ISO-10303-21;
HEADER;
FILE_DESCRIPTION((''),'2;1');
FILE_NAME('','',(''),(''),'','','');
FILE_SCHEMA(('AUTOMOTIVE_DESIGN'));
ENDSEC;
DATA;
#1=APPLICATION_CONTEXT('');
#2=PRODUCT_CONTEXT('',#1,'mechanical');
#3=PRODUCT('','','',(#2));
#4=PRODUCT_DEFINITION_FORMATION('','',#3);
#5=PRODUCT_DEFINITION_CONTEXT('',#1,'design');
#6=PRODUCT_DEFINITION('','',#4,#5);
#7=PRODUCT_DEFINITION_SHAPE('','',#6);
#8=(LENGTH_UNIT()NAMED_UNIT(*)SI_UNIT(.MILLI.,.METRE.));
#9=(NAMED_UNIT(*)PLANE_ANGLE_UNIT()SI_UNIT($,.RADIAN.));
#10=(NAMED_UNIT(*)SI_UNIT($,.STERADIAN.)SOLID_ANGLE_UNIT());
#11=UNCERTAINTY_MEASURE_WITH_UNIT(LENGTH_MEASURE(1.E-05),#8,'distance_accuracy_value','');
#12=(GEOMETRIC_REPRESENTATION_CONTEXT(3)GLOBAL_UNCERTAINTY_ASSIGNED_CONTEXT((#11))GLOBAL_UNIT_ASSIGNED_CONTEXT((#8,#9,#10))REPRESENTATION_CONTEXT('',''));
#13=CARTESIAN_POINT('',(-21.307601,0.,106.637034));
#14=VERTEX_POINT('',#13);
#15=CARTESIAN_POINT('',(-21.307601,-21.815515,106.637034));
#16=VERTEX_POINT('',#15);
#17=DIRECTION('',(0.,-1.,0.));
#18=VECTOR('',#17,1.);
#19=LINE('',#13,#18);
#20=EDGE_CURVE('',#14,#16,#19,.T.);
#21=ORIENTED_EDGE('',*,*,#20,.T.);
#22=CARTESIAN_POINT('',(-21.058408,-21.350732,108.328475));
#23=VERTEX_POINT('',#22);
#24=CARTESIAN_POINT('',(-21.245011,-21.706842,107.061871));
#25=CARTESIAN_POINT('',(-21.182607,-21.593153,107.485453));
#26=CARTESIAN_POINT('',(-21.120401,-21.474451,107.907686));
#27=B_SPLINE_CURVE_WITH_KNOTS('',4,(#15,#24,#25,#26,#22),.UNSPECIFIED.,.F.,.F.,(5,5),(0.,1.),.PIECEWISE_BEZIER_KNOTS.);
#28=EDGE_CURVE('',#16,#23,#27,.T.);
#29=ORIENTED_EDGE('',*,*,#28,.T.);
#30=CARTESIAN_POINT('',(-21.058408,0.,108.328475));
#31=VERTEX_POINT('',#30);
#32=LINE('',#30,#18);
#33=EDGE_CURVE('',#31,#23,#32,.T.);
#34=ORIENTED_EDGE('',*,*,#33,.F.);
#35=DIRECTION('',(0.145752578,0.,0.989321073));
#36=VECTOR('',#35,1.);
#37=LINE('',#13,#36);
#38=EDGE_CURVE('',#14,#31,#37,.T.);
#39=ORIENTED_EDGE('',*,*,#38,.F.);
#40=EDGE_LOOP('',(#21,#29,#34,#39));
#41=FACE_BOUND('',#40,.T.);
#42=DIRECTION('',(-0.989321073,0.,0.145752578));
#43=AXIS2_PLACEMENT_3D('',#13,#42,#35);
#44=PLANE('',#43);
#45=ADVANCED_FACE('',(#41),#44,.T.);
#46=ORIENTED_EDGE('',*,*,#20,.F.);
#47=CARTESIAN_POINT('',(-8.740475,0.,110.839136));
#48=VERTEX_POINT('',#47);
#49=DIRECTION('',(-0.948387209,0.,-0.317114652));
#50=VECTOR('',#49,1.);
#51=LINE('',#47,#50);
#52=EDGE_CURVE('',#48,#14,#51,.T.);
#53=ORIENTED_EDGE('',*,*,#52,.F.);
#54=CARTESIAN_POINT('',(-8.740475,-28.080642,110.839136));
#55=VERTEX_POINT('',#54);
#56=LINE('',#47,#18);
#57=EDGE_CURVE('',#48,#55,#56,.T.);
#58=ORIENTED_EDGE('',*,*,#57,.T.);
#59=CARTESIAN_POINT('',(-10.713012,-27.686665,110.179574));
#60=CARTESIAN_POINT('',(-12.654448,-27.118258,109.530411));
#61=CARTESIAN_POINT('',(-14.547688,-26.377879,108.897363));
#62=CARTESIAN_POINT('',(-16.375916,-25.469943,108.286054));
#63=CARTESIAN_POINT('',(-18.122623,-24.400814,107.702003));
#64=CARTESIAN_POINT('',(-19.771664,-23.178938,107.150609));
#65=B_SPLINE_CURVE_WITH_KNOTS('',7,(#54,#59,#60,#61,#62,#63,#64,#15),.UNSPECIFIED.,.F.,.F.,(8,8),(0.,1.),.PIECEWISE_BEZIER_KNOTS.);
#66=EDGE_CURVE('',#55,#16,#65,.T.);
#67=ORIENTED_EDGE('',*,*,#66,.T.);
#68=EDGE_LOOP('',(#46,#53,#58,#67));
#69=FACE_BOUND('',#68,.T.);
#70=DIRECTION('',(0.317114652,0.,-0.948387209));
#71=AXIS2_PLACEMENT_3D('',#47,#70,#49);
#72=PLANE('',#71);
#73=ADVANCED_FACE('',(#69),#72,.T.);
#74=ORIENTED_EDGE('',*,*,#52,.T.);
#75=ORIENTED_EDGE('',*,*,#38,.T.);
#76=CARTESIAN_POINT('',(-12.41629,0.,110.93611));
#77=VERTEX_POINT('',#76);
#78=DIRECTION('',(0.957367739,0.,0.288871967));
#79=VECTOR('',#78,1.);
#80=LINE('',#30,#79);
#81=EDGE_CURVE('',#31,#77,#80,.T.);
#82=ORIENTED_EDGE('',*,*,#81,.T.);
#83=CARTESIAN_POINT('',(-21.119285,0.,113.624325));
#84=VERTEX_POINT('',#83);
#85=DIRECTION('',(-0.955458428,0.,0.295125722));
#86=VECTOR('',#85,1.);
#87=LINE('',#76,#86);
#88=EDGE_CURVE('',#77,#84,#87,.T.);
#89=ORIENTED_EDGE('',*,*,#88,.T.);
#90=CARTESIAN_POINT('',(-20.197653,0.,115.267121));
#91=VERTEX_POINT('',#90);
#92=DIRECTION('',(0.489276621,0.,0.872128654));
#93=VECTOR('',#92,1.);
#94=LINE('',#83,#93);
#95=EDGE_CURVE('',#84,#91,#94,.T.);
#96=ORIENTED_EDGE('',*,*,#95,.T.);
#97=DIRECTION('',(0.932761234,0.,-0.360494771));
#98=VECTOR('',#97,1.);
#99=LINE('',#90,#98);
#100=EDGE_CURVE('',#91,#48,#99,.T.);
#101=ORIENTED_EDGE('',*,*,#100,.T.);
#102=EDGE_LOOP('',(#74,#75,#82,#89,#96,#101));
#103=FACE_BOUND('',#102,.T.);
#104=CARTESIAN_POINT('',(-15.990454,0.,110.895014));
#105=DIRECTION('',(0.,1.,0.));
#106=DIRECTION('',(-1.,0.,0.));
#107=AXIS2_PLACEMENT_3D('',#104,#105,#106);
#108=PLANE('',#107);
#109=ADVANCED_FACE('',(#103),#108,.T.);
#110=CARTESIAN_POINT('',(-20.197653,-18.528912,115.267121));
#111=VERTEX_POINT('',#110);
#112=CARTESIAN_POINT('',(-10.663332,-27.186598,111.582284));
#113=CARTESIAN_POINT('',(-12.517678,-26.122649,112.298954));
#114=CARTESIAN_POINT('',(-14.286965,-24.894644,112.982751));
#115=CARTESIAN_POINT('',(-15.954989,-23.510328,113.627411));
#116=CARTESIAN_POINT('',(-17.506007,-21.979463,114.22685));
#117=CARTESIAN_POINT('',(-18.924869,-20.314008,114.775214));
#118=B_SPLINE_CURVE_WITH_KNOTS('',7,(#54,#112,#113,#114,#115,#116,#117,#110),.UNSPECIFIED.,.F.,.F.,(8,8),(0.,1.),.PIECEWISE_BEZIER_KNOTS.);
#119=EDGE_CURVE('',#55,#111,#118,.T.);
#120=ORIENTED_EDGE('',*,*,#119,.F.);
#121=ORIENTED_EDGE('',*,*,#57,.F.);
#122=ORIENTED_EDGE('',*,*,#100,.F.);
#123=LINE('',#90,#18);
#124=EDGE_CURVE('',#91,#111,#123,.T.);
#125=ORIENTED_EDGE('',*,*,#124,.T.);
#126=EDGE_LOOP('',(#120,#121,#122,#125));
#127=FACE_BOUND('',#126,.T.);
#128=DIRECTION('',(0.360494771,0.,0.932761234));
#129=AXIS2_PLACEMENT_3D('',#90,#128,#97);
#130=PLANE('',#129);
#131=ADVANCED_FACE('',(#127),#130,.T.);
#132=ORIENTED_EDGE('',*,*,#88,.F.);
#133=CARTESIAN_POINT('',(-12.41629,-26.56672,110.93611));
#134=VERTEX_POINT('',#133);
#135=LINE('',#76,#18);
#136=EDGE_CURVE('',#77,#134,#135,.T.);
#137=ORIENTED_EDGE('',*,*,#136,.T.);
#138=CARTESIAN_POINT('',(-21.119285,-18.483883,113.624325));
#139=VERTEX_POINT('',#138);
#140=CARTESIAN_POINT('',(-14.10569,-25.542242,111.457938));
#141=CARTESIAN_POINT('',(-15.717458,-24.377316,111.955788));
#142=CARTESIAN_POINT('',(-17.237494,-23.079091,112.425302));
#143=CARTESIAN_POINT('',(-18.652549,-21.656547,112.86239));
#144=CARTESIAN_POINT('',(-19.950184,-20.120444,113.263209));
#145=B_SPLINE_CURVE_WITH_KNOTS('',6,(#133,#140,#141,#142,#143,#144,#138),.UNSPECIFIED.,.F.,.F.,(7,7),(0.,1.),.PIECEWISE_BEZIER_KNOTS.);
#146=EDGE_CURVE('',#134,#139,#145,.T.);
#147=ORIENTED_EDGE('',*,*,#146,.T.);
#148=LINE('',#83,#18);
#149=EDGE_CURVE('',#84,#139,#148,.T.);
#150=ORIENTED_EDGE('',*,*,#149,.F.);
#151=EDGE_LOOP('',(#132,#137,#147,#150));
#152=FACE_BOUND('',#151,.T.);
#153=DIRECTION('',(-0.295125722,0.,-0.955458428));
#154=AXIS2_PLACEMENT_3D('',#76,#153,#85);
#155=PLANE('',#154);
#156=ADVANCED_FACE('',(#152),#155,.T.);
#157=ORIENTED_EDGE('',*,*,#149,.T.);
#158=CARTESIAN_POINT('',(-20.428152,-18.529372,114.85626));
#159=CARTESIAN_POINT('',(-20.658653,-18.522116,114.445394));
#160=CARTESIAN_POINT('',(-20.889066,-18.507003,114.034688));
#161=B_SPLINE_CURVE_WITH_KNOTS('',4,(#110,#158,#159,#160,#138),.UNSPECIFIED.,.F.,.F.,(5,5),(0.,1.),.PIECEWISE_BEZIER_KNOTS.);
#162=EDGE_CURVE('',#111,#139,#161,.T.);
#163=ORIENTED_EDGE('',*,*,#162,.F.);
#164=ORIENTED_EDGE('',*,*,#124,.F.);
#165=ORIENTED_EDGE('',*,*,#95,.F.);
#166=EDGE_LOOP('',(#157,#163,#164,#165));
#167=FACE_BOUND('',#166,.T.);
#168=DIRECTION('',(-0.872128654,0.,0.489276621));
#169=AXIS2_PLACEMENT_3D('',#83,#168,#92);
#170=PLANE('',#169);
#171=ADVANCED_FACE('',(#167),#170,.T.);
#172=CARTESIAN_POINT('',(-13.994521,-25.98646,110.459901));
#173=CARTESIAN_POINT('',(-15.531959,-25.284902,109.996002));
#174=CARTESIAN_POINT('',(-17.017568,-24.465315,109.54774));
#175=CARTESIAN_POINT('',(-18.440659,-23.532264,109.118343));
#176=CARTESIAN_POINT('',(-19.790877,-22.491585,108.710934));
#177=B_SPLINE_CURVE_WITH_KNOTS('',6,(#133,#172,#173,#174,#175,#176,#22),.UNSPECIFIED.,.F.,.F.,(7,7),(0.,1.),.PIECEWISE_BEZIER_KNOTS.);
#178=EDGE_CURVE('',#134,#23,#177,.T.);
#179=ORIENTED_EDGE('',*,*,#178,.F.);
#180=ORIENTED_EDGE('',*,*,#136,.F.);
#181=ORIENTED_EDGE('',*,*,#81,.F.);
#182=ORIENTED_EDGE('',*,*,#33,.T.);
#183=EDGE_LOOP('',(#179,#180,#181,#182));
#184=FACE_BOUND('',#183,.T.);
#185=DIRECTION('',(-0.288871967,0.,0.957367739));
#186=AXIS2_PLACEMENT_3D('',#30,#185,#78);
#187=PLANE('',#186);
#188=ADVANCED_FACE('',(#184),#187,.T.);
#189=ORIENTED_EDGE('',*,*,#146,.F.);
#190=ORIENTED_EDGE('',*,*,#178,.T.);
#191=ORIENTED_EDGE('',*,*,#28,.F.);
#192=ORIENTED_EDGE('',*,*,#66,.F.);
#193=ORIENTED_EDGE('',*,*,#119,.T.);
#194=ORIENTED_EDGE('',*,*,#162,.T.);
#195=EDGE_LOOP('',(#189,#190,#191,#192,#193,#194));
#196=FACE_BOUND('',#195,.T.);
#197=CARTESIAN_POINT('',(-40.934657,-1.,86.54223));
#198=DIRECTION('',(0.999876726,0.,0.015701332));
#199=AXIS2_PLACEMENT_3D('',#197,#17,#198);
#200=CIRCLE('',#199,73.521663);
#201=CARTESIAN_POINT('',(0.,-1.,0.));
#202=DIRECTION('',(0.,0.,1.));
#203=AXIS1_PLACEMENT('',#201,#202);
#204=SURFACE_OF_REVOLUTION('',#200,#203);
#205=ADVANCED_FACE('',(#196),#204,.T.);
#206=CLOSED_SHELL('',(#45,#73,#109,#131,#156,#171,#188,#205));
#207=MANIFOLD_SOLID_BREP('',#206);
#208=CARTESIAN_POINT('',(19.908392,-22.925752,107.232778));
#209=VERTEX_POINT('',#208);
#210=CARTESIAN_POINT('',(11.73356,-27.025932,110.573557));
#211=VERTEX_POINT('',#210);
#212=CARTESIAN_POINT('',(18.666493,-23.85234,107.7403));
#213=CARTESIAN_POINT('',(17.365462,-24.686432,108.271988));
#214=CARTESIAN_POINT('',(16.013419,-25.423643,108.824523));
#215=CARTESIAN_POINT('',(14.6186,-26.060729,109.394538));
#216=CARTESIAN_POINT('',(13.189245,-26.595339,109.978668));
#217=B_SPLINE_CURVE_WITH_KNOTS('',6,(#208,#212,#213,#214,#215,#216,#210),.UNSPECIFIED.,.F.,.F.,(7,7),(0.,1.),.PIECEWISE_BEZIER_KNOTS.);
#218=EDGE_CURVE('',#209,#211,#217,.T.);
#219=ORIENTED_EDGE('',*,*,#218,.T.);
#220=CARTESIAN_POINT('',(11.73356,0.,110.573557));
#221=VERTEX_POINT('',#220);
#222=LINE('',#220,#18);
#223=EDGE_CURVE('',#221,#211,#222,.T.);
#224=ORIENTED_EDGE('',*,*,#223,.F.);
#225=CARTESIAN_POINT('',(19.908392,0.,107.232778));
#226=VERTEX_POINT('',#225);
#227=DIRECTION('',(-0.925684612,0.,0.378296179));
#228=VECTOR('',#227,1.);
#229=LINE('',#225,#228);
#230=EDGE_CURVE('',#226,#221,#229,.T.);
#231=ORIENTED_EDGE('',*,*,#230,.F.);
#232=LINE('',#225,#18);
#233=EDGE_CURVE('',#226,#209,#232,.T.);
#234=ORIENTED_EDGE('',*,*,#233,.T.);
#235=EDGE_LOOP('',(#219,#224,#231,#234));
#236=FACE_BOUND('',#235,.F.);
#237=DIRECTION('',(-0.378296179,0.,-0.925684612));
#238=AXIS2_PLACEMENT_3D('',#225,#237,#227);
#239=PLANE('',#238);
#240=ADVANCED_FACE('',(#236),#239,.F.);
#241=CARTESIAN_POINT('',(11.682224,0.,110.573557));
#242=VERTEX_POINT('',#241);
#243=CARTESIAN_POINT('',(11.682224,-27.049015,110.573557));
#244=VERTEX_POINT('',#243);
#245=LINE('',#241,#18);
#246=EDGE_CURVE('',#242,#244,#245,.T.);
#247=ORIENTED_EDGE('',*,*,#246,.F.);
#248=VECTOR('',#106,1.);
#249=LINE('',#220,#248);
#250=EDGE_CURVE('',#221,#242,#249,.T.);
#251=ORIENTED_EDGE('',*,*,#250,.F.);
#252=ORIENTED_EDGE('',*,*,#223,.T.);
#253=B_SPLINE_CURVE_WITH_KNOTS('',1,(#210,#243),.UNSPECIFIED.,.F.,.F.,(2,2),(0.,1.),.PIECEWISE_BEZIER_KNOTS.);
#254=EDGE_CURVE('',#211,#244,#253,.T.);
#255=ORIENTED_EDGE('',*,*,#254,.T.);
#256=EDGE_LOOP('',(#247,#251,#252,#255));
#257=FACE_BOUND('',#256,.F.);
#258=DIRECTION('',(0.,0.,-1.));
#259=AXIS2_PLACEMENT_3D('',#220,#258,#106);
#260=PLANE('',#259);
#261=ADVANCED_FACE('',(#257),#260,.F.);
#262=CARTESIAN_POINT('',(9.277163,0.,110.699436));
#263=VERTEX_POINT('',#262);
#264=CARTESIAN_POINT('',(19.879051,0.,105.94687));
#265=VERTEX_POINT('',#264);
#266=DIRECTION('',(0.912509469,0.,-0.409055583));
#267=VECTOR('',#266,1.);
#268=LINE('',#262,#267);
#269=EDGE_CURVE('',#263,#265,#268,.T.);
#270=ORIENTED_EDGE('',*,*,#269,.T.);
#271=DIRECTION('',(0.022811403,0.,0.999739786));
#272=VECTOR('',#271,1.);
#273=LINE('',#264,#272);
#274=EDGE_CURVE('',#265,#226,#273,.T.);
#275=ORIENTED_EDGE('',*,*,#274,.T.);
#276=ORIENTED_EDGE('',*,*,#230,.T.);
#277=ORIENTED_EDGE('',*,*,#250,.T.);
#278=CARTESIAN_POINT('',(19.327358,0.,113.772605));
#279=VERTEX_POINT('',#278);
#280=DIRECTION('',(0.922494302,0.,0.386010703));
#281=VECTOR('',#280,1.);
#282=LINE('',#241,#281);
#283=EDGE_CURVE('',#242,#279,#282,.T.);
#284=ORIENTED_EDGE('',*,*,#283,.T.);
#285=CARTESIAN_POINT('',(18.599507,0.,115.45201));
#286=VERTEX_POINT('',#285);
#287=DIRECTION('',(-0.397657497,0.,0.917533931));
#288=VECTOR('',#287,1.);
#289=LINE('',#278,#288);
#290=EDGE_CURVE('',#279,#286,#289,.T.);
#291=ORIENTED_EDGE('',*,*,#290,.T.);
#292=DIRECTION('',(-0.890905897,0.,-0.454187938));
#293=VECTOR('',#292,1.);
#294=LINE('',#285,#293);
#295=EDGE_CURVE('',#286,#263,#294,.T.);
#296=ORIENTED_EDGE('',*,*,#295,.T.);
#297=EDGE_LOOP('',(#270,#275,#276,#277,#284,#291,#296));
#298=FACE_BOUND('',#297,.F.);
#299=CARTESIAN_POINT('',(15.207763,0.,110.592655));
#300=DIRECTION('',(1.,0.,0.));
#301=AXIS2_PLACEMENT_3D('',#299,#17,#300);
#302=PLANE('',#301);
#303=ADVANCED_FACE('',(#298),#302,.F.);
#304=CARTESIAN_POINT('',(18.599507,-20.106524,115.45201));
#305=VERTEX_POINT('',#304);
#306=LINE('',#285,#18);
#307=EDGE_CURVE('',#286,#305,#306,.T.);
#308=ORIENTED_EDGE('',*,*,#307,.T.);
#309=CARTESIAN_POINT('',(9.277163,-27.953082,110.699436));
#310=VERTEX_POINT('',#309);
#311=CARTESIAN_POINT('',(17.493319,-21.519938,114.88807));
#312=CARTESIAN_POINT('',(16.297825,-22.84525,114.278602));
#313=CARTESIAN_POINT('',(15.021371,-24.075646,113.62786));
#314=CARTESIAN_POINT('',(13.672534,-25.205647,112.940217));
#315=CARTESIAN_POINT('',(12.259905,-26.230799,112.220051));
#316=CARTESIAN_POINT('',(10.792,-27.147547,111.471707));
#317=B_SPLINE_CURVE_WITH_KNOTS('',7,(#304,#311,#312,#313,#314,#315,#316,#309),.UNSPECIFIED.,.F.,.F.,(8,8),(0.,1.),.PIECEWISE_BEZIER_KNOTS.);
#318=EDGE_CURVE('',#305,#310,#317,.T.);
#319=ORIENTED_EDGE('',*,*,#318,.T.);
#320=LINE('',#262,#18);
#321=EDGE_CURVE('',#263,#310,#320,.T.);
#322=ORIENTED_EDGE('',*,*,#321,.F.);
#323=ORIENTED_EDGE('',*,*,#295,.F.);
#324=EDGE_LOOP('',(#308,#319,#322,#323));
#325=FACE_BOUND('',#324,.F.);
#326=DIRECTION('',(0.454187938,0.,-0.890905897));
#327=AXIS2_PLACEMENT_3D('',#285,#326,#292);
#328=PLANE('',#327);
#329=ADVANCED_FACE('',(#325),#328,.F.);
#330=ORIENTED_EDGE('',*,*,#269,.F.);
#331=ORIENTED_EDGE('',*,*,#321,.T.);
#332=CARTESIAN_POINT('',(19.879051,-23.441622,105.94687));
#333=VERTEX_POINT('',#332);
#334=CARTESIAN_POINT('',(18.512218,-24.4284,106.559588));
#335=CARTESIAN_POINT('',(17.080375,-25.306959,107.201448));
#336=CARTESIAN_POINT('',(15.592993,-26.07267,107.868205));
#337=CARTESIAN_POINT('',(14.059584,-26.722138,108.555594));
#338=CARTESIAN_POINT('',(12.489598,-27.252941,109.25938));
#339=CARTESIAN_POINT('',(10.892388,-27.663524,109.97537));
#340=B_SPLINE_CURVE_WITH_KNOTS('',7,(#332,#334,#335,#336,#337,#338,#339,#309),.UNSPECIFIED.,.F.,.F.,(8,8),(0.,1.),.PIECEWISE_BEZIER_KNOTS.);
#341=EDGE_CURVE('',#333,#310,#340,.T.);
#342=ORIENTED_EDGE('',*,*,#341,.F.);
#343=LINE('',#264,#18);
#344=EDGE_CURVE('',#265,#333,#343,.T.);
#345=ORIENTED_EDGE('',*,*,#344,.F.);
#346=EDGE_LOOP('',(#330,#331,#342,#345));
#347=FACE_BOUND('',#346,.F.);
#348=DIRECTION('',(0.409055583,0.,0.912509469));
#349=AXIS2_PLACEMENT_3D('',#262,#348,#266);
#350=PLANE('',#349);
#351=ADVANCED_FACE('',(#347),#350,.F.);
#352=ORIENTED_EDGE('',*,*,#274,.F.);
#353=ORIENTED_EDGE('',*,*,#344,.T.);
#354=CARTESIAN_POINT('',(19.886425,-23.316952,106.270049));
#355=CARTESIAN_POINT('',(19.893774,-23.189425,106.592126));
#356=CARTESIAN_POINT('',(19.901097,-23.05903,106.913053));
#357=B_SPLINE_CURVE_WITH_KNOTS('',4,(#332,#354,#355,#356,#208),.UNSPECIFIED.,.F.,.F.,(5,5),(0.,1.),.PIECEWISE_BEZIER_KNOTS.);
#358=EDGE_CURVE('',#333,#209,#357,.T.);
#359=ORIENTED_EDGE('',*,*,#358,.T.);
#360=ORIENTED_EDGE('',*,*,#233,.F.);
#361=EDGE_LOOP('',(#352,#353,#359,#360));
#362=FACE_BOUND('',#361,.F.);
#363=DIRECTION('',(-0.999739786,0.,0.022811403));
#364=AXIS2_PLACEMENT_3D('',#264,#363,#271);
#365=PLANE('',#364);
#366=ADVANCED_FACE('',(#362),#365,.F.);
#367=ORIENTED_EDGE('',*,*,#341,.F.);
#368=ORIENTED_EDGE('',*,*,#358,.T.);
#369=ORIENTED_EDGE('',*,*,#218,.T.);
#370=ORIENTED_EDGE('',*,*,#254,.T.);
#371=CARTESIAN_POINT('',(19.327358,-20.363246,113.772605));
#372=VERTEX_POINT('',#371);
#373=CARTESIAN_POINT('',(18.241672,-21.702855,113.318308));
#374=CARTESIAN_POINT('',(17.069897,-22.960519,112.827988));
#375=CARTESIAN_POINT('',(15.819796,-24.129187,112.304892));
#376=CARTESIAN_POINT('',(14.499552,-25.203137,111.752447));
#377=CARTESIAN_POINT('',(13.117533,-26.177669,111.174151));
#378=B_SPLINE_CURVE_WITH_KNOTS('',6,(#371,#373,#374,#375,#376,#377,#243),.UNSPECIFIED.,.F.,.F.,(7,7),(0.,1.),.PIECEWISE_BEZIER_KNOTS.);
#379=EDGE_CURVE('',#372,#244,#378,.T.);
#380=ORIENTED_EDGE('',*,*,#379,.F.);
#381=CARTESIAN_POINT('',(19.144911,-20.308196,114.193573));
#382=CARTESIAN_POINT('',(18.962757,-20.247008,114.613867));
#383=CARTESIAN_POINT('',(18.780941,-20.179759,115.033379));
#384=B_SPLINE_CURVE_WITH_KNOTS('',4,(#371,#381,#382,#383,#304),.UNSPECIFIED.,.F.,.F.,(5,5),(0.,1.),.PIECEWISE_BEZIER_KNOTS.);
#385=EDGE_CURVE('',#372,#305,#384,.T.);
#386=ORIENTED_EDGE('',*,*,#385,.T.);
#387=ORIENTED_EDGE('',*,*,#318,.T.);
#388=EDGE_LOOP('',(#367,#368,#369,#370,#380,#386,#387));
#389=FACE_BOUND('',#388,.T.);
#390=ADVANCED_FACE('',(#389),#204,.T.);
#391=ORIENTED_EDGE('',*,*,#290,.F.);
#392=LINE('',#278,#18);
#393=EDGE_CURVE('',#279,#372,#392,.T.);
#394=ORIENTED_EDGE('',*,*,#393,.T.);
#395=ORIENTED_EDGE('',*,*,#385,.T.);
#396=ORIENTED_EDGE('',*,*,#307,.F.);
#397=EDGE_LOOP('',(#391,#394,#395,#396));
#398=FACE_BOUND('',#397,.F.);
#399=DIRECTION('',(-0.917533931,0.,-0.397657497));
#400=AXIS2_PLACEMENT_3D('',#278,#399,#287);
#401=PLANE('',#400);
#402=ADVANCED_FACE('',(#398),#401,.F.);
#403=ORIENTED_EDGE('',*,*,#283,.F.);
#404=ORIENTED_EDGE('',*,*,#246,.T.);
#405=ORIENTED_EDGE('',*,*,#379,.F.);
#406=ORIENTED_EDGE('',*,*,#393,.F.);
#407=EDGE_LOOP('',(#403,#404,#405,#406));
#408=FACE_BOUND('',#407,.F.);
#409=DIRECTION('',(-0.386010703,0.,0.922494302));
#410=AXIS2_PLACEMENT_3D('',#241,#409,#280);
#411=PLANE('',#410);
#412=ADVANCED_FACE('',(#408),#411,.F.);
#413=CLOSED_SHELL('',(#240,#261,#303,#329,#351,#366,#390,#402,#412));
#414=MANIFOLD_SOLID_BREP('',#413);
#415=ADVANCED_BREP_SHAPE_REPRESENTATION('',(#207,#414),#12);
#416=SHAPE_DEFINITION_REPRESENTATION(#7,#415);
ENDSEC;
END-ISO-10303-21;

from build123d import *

# Parameters (mm, degrees)
EXTRUDE_DEPTH = 100


with BuildPart() as extrude_body:
    # Sketch012 → Extrude (new body)
    with BuildSketch(Plane.XZ):
        Polygon((-20.197653, 115.267121), (-8.740475, 110.839136), (-21.307601, 106.637034), (-21.058408, 108.328475), (-12.41629, 110.93611), (-21.119285, 113.624325), align=None)
        Polygon((18.599507, 115.45201), (9.277163, 110.699436), (19.879051, 105.94687), (19.908392, 107.232778), (11.73356, 110.573557), (11.682224, 110.573557), (19.327358, 113.772605), align=None)
    extrude(amount=EXTRUDE_DEPTH)


with BuildPart() as common:
    # Sketch → Revolution (revolve)
    with BuildSketch(Plane.XZ):
        with BuildLine():
            Line((0, 0), (0, 135.563389))
            ThreePointArc((23.86226, 121.281178), (13.904936, 131.720055), (0, 135.563389))
            ThreePointArc((32.577943, 87.696618), (30.229669, 105.01041), (23.86226, 121.281178))
            ThreePointArc((22.101567, 52.101534), (30.047255, 69.102202), (32.577943, 87.696618))
            ThreePointArc((22.101567, 52.101534), (13.488015, 26.476163), (18.952965, 0))
            Line((0, 0), (18.952965, 0))
        make_face()
    revolve(axis=Axis((0, 0, 0), (0, 0, 1)))


with BuildPart() as common_1:
    # Clone placement: moved
    add(common.part.moved(Location((0, -1, 0))))

    # Common: intersect Extrude body
    add(extrude_body.part, mode=Mode.INTERSECT)


solid = common_1.part
